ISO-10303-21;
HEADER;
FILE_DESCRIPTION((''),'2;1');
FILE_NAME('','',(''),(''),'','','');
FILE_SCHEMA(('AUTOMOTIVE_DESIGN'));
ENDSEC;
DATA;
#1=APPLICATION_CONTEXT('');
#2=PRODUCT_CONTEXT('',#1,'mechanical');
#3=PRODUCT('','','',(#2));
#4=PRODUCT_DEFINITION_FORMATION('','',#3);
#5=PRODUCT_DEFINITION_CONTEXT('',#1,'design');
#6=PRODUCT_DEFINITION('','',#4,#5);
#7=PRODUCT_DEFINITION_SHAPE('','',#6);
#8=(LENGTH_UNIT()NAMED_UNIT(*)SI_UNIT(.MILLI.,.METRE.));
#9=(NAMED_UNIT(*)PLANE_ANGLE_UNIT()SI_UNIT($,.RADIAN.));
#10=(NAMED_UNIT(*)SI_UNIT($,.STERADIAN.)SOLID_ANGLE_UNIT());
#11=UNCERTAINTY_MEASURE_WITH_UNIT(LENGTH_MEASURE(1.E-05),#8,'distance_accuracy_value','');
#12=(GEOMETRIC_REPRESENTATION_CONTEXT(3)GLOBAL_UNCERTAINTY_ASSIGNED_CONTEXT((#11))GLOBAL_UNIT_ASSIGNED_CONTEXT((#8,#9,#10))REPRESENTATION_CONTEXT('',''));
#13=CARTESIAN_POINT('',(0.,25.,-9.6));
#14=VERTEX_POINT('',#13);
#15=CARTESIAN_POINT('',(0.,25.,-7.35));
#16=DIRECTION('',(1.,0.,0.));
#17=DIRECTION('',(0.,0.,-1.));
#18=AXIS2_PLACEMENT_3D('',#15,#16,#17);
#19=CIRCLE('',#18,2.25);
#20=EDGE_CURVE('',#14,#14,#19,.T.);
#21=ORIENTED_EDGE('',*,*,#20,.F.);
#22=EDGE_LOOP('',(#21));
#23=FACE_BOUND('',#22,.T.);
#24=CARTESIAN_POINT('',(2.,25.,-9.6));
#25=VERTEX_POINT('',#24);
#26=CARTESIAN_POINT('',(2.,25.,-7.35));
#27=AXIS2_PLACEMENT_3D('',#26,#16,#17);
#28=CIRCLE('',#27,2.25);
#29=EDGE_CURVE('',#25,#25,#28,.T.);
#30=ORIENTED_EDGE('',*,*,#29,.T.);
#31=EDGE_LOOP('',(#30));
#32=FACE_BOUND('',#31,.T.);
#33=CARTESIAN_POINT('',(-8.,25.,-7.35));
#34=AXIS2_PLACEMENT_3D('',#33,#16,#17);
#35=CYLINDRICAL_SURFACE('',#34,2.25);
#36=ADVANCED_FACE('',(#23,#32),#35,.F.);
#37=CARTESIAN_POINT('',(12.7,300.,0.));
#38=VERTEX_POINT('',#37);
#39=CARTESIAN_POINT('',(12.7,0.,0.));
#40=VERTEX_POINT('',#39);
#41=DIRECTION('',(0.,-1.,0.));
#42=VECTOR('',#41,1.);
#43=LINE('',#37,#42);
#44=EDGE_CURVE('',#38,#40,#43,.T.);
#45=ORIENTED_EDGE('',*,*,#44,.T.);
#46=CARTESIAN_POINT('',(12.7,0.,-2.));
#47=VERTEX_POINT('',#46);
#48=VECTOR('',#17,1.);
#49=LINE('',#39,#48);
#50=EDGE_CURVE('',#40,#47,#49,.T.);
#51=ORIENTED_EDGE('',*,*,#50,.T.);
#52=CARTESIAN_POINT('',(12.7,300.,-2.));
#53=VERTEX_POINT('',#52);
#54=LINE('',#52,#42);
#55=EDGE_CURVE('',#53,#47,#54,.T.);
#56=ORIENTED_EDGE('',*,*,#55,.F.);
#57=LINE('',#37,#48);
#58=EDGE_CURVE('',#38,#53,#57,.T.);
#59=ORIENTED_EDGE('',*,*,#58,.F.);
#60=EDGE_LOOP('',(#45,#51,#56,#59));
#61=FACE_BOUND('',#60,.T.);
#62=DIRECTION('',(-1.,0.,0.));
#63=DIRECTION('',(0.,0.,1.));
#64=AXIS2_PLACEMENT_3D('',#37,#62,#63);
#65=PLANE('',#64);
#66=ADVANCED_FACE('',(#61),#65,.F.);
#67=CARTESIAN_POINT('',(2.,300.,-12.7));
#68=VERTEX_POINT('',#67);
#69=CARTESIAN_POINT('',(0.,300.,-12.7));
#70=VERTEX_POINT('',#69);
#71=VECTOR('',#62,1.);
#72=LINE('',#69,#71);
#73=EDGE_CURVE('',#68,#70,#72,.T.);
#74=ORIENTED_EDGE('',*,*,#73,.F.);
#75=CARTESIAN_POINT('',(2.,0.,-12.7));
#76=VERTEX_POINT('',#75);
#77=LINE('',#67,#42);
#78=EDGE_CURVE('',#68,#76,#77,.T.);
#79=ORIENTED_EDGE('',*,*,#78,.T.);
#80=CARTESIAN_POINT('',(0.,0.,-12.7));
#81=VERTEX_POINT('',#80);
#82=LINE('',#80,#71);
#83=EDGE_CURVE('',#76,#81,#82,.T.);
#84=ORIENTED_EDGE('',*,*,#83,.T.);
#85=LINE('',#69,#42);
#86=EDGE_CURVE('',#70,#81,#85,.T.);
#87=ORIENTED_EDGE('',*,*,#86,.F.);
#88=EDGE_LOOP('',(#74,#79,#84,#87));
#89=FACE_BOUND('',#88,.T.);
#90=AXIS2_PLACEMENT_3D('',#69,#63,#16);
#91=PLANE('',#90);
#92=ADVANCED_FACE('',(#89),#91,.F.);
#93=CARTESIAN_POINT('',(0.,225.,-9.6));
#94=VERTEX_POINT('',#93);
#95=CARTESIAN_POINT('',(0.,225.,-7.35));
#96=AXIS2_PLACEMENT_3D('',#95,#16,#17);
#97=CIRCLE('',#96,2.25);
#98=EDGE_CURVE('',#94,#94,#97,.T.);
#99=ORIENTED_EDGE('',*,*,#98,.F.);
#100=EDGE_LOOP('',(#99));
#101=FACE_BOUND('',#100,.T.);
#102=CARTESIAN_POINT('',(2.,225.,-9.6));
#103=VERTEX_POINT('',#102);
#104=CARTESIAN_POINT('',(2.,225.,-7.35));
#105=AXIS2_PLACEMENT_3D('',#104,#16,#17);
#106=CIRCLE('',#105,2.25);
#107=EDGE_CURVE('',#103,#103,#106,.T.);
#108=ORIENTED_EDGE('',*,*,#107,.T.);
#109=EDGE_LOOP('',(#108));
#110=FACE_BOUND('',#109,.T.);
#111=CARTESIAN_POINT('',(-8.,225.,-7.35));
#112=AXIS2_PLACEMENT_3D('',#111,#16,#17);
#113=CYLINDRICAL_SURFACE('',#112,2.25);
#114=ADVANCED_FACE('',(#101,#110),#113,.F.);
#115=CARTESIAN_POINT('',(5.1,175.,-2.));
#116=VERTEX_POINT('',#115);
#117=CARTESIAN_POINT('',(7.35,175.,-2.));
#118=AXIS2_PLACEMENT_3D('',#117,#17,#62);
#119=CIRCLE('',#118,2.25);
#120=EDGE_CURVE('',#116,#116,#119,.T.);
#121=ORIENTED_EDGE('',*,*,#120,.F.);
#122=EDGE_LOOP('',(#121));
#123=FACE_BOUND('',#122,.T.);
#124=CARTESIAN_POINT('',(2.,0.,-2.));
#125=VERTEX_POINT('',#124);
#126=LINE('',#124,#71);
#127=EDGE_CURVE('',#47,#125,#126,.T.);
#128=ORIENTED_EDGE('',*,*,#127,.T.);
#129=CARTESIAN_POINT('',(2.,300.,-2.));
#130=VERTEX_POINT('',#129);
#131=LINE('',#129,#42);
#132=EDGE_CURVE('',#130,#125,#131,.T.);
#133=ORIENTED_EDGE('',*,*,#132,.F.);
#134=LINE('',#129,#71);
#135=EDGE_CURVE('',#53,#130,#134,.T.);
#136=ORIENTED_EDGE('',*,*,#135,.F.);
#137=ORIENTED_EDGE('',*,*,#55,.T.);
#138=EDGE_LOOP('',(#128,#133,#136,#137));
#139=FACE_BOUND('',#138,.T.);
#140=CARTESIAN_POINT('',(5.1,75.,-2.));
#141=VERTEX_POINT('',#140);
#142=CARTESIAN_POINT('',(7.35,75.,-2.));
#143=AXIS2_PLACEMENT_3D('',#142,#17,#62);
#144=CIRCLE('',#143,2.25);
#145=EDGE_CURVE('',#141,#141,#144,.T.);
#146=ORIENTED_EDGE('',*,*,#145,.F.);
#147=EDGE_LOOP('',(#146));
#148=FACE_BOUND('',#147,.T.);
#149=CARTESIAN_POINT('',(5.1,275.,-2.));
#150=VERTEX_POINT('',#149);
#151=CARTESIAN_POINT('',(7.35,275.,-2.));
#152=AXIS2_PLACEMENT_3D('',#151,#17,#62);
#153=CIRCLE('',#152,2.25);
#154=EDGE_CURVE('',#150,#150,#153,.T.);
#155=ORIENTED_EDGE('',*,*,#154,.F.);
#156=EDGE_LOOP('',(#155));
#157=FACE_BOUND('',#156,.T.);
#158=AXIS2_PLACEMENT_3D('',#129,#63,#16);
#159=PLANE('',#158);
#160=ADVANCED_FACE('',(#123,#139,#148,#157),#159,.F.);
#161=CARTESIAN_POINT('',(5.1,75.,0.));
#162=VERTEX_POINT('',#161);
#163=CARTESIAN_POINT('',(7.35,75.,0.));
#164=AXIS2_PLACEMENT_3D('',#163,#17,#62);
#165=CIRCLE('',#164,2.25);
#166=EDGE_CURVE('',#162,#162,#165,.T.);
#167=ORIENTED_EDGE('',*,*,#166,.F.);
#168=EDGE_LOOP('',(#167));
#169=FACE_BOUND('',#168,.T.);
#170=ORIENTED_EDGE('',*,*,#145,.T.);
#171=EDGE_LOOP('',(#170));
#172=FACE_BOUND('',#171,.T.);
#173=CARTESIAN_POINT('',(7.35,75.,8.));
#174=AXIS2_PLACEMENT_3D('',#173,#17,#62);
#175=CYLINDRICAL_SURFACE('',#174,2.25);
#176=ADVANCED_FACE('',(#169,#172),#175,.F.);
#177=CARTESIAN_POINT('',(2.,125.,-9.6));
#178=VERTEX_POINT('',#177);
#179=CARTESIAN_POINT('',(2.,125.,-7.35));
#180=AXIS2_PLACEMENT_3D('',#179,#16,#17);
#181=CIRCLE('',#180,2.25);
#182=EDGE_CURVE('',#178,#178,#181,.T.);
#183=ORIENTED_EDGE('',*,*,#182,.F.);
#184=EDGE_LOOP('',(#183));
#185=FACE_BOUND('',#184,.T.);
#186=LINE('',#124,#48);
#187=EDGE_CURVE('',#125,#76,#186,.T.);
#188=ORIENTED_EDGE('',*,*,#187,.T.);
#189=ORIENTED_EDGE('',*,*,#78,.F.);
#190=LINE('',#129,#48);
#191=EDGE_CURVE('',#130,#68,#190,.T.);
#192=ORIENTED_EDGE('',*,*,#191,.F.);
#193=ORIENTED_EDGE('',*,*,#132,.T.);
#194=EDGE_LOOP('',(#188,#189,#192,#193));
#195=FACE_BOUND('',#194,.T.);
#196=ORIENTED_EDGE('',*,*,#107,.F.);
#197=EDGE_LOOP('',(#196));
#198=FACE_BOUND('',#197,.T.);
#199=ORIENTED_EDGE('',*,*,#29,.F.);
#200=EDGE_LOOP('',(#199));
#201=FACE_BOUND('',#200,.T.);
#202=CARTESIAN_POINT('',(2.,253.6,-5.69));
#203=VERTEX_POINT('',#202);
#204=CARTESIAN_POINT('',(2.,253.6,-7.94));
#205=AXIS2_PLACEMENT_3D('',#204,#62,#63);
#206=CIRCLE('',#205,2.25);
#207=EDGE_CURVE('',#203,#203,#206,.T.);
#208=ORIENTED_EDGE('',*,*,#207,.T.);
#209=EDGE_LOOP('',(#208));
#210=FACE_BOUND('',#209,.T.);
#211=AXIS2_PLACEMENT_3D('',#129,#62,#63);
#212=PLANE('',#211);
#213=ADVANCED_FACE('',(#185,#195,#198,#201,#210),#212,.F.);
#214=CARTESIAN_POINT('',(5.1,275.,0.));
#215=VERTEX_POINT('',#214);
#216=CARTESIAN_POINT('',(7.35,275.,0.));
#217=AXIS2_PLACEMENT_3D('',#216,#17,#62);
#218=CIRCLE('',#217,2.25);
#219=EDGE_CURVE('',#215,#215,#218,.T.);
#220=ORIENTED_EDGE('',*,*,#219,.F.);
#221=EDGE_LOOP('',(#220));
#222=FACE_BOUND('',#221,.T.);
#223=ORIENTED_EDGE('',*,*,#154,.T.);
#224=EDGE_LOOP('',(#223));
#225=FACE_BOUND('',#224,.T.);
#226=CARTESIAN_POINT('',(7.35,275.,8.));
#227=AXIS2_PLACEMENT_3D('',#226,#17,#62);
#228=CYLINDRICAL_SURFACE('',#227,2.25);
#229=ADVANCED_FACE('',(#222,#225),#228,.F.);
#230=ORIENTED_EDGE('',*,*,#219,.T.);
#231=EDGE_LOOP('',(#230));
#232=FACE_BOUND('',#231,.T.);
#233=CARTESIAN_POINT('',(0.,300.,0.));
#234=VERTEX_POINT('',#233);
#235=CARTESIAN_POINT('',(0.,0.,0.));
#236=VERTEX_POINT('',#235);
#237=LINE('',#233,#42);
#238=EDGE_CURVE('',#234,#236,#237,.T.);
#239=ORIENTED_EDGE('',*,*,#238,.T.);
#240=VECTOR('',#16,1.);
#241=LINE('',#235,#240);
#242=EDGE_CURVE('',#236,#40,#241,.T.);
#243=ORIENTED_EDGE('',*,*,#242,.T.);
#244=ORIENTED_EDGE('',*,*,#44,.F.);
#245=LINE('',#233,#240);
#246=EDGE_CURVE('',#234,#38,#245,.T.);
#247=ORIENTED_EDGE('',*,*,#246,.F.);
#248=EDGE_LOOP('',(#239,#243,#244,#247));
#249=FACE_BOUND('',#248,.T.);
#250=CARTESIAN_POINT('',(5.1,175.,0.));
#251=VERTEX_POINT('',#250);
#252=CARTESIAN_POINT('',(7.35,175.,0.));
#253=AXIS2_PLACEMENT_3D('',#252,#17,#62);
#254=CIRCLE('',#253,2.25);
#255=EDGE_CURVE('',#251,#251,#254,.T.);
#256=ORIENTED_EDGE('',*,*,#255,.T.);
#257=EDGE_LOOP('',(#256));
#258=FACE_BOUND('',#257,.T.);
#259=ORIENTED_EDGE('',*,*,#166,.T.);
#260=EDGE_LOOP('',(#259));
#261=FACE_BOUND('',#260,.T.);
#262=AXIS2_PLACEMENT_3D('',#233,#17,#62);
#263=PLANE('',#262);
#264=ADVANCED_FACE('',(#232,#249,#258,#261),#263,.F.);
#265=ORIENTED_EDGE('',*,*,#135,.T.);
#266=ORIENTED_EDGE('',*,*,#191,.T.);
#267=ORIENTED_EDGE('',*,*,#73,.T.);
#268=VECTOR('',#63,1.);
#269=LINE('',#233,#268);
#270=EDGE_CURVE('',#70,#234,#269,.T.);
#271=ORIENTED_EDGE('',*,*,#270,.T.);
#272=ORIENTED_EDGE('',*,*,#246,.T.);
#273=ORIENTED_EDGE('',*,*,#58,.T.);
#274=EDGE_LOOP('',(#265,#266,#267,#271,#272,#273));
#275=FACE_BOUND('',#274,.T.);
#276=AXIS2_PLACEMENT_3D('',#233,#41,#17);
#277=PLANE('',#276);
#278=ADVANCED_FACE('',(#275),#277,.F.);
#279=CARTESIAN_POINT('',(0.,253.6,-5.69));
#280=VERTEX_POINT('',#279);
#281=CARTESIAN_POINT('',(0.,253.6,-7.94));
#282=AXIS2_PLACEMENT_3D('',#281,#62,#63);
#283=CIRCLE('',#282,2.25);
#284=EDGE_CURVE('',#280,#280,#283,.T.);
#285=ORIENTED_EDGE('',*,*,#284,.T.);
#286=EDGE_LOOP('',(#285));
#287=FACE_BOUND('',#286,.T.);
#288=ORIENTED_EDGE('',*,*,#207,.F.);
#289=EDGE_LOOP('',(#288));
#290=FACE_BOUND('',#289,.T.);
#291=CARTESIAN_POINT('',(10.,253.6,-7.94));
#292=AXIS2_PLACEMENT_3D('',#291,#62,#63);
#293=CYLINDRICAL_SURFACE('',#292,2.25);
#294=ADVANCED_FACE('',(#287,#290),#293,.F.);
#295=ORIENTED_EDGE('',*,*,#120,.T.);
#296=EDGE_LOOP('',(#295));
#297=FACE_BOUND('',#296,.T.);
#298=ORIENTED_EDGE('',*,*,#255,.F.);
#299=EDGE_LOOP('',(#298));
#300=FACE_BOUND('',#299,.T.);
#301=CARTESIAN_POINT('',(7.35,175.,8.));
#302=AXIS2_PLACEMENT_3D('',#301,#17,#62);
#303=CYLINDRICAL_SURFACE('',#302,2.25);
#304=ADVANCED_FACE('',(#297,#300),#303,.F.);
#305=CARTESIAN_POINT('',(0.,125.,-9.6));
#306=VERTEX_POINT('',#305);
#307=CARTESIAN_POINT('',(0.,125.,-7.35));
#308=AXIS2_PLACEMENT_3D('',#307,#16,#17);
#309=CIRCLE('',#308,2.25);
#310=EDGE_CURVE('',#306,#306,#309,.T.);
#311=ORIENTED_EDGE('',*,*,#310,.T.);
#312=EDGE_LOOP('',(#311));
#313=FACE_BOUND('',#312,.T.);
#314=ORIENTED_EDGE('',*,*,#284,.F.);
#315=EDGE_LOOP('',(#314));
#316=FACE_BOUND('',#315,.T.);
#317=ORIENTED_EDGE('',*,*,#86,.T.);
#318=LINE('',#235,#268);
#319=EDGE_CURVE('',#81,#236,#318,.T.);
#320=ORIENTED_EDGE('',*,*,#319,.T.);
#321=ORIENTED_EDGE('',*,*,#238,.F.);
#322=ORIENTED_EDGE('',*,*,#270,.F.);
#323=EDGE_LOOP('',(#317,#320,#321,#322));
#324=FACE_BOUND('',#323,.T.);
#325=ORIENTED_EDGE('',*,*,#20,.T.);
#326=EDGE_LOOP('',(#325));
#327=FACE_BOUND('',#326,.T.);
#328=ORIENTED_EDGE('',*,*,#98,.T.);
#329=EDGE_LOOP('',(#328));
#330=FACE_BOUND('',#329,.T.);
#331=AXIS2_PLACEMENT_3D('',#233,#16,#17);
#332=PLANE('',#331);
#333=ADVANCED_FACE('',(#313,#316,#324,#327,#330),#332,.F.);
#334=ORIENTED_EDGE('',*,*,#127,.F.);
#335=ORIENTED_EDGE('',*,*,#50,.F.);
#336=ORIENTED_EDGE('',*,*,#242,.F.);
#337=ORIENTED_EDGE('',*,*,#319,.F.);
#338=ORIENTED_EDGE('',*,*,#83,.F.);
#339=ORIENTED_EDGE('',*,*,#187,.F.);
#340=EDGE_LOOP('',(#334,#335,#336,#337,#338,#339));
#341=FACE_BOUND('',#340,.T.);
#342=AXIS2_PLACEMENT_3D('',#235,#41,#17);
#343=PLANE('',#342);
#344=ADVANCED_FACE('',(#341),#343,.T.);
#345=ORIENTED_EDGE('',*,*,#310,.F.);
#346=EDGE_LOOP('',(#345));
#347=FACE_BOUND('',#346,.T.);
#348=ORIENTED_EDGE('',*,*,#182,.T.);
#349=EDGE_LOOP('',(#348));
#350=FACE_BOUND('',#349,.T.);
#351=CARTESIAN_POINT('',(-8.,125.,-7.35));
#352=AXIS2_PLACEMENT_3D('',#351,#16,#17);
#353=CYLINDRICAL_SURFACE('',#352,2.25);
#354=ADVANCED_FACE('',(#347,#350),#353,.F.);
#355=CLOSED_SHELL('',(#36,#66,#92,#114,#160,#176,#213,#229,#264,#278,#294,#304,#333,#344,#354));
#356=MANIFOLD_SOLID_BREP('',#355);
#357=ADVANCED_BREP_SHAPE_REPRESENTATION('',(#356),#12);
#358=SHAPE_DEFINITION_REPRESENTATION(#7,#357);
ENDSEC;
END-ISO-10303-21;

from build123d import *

# Parameters (mm, degrees)
BOSS_EXTRUDE1_DEPTH = 300
SKETCH2_R           = 2.25
CUT_EXTRUDE1_DEPTH  = 10
SKETCH3_R           = 2.25
CUT_EXTRUDE2_DEPTH  = 10
SKETCH5_R           = 2.25
CUT_EXTRUDE3_DEPTH  = 10


with BuildPart() as part:
    # Sketch1 → Boss-Extrude1 (new body)
    with BuildSketch(Plane(origin=(0, 0, 0), x_dir=(1, 0, 0), z_dir=(0, 1, 0))):
        Polygon((0, 0), (12.7, 0), (12.7, 2), (2, 2), (2, 12.7), (0, 12.7), align=None)
    extrude(amount=BOSS_EXTRUDE1_DEPTH)

    # Sketch2 → Cut-Extrude1 (cut)
    with BuildSketch(Plane(origin=(0, 0, -2), x_dir=(-1, 0, 0), z_dir=(0, 0, -1))):
        with Locations((-7.35, 275)):
            Circle(SKETCH2_R)
        with Locations((-7.35, 175)):
            Circle(SKETCH2_R)
        with Locations((-7.35, 75)):
            Circle(SKETCH2_R)
    extrude(amount=-CUT_EXTRUDE1_DEPTH, mode=Mode.SUBTRACT)

    # Sketch3 → Cut-Extrude2 (cut)
    with BuildSketch(Plane(origin=(2, 0, 0), x_dir=(0, 0, -1), z_dir=(1, 0, 0))):
        with Locations((7.35, 225)):
            Circle(SKETCH3_R)
        with Locations((7.35, 125)):
            Circle(SKETCH3_R)
        with Locations((7.35, 25)):
            Circle(SKETCH3_R)
    extrude(amount=-CUT_EXTRUDE2_DEPTH, mode=Mode.SUBTRACT)

    # Sketch5 → Cut-Extrude3 (cut)
    with BuildSketch(Plane.ZY):
        with Locations((-7.94, 253.6)):
            Circle(SKETCH5_R)
    extrude(amount=-CUT_EXTRUDE3_DEPTH, mode=Mode.SUBTRACT)


solid = part.part
